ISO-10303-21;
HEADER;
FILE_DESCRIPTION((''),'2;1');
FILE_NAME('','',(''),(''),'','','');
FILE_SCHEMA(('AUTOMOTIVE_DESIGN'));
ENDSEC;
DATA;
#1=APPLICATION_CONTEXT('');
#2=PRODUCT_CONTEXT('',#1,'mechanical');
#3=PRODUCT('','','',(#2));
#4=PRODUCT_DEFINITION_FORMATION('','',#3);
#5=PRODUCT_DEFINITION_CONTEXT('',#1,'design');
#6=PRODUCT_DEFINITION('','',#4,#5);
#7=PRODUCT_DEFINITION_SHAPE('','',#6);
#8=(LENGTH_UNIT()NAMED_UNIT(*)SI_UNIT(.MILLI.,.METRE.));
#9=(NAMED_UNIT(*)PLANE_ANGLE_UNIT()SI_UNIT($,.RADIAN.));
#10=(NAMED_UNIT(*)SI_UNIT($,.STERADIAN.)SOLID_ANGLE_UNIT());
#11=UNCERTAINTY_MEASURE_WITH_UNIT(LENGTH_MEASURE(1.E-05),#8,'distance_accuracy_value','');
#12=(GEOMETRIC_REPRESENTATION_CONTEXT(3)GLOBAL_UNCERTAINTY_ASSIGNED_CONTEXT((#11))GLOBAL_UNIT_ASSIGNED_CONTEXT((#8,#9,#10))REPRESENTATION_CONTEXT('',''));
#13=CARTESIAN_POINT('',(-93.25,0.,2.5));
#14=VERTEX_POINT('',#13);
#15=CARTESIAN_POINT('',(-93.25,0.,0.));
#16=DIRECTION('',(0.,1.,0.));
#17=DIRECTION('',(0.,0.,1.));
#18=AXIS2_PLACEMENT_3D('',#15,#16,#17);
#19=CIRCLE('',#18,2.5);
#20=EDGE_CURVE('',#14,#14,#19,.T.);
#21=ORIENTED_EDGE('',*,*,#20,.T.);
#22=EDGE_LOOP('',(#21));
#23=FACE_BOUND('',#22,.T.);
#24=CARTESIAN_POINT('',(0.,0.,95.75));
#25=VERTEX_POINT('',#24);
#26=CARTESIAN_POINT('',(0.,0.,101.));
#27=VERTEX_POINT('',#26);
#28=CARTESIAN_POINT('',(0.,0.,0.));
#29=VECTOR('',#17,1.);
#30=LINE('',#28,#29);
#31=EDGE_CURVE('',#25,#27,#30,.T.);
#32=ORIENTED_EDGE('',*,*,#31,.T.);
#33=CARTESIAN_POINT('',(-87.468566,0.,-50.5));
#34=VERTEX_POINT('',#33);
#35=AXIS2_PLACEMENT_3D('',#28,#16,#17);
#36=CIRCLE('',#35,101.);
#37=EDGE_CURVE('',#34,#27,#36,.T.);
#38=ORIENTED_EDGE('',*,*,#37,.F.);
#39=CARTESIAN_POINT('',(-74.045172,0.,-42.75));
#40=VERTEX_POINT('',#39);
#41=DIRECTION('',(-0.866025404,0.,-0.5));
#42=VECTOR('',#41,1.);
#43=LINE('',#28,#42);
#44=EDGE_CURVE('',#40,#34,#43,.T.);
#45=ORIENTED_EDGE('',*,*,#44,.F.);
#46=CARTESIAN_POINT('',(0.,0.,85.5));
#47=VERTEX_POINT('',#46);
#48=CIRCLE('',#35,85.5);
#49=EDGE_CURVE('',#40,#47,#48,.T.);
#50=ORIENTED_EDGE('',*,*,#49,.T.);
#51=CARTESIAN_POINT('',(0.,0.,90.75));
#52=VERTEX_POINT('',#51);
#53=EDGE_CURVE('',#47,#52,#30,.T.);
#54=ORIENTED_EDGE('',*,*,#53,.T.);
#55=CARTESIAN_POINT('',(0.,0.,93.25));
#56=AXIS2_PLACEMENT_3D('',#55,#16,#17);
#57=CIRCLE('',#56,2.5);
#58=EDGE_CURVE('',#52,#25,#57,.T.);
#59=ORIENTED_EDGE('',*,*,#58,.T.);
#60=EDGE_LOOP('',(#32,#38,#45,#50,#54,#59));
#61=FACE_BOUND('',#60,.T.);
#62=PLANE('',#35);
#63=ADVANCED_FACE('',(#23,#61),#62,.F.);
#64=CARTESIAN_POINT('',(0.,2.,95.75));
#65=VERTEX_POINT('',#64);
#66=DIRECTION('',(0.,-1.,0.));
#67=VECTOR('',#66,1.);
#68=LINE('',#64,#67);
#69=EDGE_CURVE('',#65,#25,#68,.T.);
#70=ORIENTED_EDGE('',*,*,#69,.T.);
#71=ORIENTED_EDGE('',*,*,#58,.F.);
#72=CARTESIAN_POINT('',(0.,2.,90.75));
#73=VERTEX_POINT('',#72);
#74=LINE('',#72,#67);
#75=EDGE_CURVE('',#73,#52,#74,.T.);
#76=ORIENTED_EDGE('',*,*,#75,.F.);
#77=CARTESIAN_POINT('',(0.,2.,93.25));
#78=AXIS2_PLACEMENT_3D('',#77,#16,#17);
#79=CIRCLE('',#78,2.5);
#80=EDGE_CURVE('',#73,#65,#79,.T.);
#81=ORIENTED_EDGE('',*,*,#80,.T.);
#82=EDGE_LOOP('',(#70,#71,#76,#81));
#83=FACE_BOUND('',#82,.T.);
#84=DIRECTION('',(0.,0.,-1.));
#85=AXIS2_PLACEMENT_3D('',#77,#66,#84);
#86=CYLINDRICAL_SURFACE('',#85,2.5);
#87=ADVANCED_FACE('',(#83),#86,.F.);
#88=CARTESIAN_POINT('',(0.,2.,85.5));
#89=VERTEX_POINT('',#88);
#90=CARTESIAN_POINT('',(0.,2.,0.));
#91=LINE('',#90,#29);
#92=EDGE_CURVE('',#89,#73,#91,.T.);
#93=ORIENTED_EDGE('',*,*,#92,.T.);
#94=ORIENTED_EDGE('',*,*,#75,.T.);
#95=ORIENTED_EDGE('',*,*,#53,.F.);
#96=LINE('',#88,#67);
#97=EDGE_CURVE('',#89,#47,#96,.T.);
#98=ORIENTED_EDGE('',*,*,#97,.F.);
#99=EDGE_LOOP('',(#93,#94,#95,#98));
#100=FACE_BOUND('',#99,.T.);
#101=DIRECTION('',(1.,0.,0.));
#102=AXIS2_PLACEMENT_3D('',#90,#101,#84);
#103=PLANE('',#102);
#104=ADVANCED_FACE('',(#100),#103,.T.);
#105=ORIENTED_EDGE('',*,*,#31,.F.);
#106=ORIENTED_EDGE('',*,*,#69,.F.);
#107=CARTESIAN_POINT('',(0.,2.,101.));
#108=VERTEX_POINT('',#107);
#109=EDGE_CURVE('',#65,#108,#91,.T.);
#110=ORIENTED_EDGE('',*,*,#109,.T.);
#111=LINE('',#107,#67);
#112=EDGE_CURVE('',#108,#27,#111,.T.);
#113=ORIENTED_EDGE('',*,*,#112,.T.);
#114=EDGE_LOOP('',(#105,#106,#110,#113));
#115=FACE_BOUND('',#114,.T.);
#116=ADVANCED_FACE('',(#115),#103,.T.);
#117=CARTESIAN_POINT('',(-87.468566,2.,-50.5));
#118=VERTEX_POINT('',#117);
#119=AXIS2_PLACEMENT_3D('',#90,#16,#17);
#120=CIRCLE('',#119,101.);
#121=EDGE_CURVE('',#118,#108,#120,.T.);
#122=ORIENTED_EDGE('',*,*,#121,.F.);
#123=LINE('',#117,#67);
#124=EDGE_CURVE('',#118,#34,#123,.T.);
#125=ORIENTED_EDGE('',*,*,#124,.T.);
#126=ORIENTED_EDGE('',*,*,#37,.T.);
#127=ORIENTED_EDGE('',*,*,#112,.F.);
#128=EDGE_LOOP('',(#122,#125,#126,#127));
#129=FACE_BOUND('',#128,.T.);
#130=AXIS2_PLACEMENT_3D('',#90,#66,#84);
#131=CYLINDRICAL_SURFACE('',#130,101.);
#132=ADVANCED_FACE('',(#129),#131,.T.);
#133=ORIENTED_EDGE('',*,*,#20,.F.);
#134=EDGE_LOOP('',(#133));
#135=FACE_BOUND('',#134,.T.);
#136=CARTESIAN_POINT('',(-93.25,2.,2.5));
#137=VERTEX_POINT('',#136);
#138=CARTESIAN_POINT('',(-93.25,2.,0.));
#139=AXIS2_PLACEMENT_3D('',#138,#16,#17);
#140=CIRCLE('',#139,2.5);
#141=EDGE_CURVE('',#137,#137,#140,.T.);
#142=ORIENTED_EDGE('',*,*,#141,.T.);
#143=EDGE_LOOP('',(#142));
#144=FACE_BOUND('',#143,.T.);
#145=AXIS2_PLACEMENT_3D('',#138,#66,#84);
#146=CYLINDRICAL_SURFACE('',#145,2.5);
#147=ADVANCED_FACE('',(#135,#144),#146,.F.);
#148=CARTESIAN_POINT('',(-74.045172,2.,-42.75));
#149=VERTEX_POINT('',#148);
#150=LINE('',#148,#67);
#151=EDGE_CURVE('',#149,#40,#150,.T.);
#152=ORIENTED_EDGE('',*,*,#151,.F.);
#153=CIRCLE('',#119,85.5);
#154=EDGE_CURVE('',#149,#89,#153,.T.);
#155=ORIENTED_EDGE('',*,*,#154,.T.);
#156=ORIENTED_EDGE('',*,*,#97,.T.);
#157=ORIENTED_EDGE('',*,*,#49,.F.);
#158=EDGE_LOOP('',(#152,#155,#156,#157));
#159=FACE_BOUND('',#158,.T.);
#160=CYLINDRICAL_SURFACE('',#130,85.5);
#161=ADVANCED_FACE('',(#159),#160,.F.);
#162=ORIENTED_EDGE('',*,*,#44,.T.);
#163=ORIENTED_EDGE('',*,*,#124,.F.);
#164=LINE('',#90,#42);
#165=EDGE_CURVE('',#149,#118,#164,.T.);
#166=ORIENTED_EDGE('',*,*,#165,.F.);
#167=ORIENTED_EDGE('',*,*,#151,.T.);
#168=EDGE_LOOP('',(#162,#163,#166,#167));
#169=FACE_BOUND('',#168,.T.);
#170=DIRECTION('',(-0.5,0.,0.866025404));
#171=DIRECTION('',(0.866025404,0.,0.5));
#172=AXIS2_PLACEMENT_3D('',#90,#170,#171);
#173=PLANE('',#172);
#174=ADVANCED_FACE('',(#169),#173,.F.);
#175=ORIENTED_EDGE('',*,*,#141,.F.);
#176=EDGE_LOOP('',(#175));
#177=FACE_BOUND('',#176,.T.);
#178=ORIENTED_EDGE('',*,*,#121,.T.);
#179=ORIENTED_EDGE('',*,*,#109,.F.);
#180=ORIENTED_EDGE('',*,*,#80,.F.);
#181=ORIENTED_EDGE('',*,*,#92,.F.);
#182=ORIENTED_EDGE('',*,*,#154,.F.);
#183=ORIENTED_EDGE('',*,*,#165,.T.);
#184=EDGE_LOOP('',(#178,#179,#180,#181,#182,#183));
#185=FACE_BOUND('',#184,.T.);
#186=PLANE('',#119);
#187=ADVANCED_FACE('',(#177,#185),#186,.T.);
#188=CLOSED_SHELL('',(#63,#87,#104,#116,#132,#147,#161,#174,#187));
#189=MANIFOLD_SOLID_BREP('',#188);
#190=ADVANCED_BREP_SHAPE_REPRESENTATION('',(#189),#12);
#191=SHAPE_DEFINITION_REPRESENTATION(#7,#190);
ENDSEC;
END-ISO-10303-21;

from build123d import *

# Parameters (mm, degrees)
SKETCH_1_R          = 101
SKETCH_1_R_2        = 85.5
SKETCH_1_R_3        = 2.5
EXTRUDE_2_DEPTH     = 2
SKETCH_4_R          = 2.5
CUT_EXTRUDE_2_DEPTH = 2
SKETCH_5_R          = 2.5
CUT_EXTRUDE_3_DEPTH = 2


with BuildPart() as part:
    # 草图1 → 凸台-拉伸2 (new body)
    with BuildSketch(Plane(origin=(0, 0, 0), x_dir=(1, 0, 0), z_dir=(0, 1, 0))):
        with Locations(Location((0, 0, 0), (0, 0, 270))):
            Circle(SKETCH_1_R)
        with Locations(Location((0, 0, 0), (0, 0, 270))):
            Circle(SKETCH_1_R_2, mode=Mode.SUBTRACT)
        with Locations(Location((0, 93.25, 0), (0, 0, 270))):
            Circle(SKETCH_1_R_3, mode=Mode.SUBTRACT)
        with Locations(Location((93.25, 0, 0), (0, 0, 270))):
            Circle(SKETCH_1_R_3, mode=Mode.SUBTRACT)
        with Locations(Location((0, -93.25, 0), (0, 0, 270))):
            Circle(SKETCH_1_R_3, mode=Mode.SUBTRACT)
        with Locations(Location((-93.25, 0, 0), (0, 0, 270))):
            Circle(SKETCH_1_R_3, mode=Mode.SUBTRACT)
    extrude(amount=EXTRUDE_2_DEPTH)

    # 草图4 → 切除-拉伸2 (cut)
    with BuildSketch(Plane.XZ):
        with BuildLine():
            Line((87.468565782, -50.5), (74.045172024, -42.75))
            ThreePointArc((74.045172024, -42.75), (0, -85.5), (-74.045172024, -42.75))
            Line((-74.045172024, -42.75), (-87.468565782, -50.5))
            ThreePointArc((-87.468565782, -50.5), (0, -101), (87.468565782, -50.5))
        make_face()
        with Locations((0, -93.25)):
            Circle(SKETCH_4_R, mode=Mode.SUBTRACT)
    extrude(amount=-CUT_EXTRUDE_2_DEPTH, mode=Mode.SUBTRACT)

    # 草图5 → 切除-拉伸3 (cut)
    with BuildSketch(Plane.XZ):
        with BuildLine():
            Line((0, 90.75), (0, 85.5))
            ThreePointArc((0, 85.5), (74.045172024, 42.75), (74.045172024, -42.75))
            Line((74.045172024, -42.75), (87.468565782, -50.5))
            ThreePointArc((87.468565782, -50.5), (97.558508455, -26.140723555), (101, 0))
            ThreePointArc((101, 0), (71.4177849, 71.4177849), (0, 101))
            Line((0, 101), (0, 95.75))
            ThreePointArc((0, 95.75), (1.767766953, 95.017766953), (2.5, 93.25))
            ThreePointArc((2.5, 93.25), (1.767766953, 91.482233047), (0, 90.75))
        make_face()
        with Locations((93.25, 0)):
            Circle(SKETCH_5_R, mode=Mode.SUBTRACT)
    extrude(amount=-CUT_EXTRUDE_3_DEPTH, mode=Mode.SUBTRACT)


solid = part.part
